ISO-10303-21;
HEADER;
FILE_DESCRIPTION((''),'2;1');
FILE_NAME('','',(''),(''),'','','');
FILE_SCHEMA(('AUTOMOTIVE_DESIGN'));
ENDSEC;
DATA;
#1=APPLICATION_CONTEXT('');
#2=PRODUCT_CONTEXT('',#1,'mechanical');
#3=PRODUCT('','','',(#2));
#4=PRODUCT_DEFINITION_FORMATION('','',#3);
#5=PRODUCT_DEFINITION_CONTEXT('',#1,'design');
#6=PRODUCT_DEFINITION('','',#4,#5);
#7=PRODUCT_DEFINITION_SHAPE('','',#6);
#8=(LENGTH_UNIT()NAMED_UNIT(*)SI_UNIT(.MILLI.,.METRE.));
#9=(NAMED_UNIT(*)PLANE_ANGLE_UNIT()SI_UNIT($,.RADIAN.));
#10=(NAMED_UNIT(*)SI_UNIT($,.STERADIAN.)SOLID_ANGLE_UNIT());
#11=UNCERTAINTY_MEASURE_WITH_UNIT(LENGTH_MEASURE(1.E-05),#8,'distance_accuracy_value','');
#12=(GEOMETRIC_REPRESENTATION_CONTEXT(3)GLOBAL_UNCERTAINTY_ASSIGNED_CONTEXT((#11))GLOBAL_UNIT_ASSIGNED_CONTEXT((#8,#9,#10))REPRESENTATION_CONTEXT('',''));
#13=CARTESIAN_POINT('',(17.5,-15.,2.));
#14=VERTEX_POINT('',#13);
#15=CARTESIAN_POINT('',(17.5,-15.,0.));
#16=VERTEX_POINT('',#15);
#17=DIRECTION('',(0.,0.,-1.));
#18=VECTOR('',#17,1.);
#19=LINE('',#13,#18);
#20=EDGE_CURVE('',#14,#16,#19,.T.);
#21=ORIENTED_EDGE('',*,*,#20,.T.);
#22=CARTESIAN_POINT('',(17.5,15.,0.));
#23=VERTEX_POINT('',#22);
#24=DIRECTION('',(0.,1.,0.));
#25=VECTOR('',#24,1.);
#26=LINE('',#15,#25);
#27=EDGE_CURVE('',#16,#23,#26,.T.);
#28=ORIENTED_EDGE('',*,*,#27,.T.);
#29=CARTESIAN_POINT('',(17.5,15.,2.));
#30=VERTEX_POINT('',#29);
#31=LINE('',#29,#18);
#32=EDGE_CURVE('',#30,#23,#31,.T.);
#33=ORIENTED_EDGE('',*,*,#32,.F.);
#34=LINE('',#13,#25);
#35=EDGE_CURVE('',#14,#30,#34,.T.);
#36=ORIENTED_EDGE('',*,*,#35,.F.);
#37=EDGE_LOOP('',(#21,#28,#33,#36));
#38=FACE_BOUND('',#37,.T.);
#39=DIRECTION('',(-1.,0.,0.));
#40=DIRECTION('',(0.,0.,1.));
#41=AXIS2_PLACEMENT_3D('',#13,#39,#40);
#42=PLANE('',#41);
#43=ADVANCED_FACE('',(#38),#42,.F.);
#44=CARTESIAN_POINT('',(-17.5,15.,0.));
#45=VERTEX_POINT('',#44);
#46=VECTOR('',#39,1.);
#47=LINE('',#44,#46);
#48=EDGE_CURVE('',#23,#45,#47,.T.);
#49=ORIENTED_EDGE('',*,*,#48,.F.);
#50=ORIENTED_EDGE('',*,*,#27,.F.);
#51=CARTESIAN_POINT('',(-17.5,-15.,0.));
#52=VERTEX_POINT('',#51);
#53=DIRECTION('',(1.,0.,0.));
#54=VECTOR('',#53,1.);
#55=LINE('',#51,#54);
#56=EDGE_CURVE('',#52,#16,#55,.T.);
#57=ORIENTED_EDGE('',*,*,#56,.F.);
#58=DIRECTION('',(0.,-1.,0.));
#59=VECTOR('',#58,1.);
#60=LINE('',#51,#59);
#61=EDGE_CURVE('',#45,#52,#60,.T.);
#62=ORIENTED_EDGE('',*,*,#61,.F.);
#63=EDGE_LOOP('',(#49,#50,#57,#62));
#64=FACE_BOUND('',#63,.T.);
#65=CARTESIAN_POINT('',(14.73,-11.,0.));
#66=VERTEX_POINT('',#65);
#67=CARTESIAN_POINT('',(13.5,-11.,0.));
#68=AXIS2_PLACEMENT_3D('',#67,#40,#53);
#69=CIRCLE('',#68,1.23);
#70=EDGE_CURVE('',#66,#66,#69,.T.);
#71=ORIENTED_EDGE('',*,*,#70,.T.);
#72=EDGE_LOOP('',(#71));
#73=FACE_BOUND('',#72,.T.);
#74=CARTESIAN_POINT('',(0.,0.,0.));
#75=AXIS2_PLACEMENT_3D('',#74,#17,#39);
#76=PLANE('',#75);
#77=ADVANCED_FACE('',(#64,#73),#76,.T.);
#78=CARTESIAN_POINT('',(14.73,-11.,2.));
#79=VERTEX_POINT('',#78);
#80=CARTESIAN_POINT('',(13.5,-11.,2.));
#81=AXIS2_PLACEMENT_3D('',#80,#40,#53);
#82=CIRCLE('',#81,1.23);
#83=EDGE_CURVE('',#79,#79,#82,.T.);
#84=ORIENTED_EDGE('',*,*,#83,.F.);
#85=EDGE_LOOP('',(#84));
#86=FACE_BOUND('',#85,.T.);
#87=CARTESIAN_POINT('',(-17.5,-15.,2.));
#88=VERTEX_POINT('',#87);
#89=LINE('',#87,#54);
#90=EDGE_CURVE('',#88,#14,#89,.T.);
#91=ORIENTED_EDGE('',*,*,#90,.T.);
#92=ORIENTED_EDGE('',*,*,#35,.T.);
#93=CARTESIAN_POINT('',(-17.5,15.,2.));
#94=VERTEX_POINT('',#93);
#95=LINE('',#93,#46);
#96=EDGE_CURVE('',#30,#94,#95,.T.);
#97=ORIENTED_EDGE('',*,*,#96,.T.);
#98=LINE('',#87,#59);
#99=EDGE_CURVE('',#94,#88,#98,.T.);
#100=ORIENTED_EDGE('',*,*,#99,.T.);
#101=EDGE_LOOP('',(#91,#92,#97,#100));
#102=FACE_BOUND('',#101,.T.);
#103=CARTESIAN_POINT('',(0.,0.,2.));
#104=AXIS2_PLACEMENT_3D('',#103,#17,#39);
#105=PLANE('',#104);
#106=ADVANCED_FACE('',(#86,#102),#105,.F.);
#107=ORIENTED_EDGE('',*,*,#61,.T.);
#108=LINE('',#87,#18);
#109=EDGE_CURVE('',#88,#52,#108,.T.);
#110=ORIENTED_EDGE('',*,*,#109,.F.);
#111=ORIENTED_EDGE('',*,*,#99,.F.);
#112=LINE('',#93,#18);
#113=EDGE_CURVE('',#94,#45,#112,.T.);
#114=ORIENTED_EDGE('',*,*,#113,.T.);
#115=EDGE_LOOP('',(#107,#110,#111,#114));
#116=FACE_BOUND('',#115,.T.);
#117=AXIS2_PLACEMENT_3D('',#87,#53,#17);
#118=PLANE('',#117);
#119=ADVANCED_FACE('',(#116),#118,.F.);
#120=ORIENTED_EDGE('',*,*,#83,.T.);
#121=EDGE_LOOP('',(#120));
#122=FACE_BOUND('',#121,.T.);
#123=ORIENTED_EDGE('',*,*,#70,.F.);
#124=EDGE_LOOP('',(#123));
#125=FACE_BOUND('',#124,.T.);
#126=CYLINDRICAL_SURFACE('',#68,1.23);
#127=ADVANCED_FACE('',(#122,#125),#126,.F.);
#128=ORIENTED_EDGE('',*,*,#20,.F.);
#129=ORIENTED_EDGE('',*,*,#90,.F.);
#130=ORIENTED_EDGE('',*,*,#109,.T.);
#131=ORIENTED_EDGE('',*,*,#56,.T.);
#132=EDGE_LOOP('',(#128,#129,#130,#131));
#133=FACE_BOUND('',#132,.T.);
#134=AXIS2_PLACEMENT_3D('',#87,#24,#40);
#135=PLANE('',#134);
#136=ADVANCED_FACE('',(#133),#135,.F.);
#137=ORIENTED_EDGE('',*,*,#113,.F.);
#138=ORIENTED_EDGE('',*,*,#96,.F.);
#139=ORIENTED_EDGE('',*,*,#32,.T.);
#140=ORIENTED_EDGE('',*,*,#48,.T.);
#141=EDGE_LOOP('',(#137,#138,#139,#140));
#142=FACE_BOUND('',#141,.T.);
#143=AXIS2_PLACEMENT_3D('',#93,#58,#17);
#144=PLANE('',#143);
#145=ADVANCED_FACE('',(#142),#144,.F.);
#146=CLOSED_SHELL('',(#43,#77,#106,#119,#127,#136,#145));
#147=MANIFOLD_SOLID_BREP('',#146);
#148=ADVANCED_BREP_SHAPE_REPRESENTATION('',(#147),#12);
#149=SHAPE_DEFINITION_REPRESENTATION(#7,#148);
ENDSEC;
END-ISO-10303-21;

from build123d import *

# Parameters (mm, degrees)
SKETCH1_W           = 35
SKETCH1_H           = 30
BOSS_EXTRUDE1_DEPTH = 2
SKETCH2_R           = 1.23
CUT_EXTRUDE1_DEPTH  = 2


with BuildPart() as part:
    # Sketch1 → Boss-Extrude1 (new body)
    with BuildSketch(Plane.XY):
        Rectangle(SKETCH1_W, SKETCH1_H)
    extrude(amount=BOSS_EXTRUDE1_DEPTH)

    # Sketch2 → Cut-Extrude1 (cut)
    with BuildSketch(Plane.XY.offset(2)):
        with Locations((13.5, -11)):
            Circle(SKETCH2_R)
    extrude(amount=-CUT_EXTRUDE1_DEPTH, mode=Mode.SUBTRACT)


solid = part.part
